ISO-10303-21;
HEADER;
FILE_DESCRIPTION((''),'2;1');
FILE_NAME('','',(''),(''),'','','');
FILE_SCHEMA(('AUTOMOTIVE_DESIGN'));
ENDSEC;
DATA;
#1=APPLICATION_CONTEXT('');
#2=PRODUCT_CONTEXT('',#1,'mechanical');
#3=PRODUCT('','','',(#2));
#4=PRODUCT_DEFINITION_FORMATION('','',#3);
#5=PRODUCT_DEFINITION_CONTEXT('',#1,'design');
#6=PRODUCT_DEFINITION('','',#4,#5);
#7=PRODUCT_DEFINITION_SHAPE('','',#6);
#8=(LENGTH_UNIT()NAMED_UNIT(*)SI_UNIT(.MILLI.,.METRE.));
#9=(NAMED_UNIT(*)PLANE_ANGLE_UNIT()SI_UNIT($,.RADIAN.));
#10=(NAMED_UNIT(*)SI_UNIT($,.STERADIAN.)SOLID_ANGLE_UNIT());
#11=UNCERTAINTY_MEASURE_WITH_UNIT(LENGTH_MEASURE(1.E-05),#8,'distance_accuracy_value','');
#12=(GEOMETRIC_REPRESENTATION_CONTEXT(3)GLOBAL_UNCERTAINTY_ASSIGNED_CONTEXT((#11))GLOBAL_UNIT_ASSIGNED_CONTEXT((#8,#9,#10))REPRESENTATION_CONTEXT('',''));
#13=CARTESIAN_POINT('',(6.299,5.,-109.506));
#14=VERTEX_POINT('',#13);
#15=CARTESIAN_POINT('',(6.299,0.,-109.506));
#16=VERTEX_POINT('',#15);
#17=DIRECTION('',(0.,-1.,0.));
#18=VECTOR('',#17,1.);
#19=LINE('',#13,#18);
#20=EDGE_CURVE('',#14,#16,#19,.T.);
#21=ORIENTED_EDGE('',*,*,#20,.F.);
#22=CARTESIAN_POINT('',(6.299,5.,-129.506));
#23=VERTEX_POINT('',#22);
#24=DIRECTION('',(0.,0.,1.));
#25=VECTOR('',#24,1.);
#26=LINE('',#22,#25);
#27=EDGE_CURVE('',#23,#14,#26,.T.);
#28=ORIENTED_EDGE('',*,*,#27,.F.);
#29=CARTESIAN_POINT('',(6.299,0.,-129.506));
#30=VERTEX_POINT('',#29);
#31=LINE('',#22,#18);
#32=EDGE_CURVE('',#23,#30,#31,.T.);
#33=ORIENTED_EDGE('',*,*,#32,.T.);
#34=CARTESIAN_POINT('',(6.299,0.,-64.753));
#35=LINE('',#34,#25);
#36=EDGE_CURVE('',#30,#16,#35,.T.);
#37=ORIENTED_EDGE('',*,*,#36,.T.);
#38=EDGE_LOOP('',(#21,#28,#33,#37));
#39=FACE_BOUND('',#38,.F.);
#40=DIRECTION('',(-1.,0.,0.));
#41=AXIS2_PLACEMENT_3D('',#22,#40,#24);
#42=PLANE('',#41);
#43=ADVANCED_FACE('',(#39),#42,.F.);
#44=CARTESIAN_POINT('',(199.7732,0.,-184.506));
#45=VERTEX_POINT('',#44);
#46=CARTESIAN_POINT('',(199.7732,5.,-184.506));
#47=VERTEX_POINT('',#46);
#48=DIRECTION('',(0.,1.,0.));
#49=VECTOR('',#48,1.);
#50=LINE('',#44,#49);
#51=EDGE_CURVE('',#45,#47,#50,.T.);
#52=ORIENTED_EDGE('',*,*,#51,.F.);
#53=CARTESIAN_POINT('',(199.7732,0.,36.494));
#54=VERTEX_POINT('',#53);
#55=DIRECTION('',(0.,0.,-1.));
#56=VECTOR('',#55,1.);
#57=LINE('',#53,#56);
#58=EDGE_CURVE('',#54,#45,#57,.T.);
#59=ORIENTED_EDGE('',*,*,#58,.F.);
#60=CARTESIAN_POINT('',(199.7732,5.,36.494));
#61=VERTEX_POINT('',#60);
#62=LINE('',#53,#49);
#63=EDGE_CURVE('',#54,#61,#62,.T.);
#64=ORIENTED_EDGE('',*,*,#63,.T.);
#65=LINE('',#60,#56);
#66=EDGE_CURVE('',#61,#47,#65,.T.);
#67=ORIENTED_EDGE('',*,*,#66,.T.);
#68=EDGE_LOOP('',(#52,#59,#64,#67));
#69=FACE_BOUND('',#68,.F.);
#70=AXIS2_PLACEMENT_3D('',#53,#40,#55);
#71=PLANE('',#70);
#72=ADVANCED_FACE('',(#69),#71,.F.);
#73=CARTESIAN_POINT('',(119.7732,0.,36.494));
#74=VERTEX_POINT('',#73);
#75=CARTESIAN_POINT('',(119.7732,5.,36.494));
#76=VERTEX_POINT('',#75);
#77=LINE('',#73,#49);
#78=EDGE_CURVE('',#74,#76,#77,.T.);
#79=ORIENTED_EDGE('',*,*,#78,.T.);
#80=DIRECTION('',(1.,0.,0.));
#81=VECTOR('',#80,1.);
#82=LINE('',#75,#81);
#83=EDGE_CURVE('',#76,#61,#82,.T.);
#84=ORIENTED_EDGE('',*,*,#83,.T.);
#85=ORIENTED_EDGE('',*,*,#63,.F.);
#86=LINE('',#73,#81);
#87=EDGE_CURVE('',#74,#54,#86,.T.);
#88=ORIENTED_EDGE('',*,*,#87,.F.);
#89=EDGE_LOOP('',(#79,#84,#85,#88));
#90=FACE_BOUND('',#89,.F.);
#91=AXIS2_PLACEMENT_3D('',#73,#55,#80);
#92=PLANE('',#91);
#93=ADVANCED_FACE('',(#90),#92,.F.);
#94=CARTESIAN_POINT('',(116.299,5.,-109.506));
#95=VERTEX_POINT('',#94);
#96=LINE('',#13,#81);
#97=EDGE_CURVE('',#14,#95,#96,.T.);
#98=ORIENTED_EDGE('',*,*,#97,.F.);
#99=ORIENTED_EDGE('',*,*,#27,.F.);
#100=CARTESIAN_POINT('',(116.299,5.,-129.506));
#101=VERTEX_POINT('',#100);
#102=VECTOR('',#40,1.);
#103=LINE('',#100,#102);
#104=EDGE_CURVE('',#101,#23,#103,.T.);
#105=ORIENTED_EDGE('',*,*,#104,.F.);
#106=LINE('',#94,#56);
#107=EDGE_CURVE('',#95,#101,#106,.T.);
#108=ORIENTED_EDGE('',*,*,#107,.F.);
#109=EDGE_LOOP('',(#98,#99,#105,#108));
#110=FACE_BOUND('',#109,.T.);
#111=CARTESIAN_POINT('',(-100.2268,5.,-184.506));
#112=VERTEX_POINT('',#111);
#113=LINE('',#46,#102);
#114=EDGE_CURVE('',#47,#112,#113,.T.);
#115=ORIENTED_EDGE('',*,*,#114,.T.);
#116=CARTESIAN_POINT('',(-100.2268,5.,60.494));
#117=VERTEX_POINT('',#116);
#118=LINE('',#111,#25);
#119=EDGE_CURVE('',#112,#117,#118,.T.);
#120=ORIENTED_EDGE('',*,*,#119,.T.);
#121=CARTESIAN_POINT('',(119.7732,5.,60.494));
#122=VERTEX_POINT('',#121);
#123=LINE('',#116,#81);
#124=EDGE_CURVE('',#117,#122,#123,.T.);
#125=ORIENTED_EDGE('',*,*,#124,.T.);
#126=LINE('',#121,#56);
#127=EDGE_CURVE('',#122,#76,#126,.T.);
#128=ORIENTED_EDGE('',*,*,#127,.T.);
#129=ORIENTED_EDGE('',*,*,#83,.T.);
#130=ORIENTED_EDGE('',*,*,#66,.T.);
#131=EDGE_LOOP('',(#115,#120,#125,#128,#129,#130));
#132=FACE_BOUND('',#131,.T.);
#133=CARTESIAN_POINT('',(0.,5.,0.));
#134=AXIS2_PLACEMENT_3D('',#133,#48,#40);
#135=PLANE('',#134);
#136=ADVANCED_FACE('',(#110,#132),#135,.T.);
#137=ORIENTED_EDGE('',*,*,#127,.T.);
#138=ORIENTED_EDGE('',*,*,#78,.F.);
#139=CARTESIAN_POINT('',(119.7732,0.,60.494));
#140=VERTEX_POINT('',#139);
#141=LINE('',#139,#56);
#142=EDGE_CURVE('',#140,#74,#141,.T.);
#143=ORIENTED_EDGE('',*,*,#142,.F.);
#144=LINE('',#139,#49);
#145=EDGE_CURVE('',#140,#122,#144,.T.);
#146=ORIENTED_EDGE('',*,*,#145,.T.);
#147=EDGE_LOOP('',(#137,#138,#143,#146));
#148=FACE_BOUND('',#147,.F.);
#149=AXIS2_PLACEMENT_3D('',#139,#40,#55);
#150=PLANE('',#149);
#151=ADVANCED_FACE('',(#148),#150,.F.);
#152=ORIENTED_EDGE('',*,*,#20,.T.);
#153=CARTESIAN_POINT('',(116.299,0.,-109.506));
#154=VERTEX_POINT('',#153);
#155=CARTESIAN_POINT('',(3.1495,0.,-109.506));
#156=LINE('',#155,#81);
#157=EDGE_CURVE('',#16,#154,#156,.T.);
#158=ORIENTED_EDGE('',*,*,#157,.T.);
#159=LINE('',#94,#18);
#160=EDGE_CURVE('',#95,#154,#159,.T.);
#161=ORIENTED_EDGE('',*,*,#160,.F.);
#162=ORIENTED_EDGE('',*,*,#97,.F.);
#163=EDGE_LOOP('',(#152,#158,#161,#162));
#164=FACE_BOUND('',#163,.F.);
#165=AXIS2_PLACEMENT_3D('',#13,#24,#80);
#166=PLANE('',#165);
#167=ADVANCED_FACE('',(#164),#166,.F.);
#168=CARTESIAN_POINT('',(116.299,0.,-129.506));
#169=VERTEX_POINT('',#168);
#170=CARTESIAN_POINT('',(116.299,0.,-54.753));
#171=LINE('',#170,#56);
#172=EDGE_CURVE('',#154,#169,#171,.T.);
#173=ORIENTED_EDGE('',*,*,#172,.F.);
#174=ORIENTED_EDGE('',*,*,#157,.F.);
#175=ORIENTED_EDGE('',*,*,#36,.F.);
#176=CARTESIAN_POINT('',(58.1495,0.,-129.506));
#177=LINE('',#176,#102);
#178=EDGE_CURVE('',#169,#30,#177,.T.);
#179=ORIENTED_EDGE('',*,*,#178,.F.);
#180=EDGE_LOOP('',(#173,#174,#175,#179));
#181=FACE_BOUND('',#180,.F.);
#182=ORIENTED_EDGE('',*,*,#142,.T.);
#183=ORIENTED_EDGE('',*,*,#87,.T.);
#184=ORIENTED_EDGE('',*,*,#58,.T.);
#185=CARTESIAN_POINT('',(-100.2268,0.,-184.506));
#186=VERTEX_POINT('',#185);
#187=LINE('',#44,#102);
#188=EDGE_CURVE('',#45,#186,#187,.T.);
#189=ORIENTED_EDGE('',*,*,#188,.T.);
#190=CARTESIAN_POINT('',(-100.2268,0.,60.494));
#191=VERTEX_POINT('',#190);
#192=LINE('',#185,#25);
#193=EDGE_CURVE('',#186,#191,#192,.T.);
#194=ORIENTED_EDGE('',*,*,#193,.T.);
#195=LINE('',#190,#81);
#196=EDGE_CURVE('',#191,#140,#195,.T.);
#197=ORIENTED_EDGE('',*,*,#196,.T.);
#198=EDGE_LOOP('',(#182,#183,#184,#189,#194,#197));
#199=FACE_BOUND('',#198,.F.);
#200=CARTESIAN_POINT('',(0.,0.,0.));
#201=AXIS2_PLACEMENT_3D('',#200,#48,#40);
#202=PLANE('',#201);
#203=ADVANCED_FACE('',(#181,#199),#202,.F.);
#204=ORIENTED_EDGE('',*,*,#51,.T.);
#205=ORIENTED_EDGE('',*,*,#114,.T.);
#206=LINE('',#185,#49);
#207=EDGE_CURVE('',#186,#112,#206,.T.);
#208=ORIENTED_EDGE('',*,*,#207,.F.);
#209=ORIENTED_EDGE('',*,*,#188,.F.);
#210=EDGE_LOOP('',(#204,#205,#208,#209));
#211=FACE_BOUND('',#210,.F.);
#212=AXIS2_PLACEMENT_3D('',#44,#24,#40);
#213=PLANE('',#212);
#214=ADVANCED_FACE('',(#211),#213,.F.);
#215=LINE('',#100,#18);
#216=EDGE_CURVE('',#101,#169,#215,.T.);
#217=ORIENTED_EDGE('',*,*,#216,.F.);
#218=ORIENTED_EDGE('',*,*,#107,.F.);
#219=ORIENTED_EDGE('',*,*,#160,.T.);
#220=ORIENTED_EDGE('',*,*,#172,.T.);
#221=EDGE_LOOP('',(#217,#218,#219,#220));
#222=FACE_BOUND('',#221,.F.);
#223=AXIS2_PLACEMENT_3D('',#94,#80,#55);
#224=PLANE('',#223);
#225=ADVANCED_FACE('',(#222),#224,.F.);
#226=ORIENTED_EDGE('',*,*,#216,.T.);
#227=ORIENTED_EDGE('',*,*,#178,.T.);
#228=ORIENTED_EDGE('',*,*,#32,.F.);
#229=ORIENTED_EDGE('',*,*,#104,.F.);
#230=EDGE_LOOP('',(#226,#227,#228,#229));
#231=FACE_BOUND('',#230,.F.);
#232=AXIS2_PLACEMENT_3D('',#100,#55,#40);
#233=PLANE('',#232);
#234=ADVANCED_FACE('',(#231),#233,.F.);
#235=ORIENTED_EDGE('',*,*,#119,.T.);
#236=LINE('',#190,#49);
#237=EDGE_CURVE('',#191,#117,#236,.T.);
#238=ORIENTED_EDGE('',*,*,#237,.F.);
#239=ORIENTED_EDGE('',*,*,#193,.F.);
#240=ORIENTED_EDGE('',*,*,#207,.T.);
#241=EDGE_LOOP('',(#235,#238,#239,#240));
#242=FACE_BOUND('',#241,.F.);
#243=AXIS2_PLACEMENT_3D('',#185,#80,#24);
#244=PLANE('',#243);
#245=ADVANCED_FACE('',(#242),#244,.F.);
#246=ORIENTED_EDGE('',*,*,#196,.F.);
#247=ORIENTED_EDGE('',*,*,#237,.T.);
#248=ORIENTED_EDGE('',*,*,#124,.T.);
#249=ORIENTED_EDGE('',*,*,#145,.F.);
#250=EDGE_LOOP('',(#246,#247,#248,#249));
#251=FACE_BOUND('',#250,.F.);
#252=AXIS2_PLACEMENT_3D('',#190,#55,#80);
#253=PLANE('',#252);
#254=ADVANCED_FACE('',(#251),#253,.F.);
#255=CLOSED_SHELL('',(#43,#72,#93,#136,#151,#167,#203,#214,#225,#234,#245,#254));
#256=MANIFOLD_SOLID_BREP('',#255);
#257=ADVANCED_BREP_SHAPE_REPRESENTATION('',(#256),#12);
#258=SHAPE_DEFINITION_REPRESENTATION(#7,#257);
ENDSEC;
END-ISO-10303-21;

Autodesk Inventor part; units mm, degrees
ref_plane "YZ Plane" through (0, 0, 0) normal (1, 0, 0) x (0, 1, 0)
ref_plane "XZ Plane" through (0, 0, 0) normal (0, 1, 0) x (-1, 0, 0)
ref_plane "XY Plane" through (0, 0, 0) normal (0, 0, 1) x (1, 0, 0)
sketch "Esquisse1" plane through (0, 0, 0) normal (0, 1, 0) x (-1, 0, 0)
  line L0 (100.2268, 60.494) -> (-119.7732, 60.494)
  line L1 (-199.7732, 36.494) -> (-199.7732, -184.506)
  line L2 (-199.7732, -184.506) -> (100.2268, -184.506)
  line L3 (100.2268, -184.506) -> (100.2268, 60.494)
  line L4 (-119.7732, 60.494) -> (-119.7732, 36.494)
  line L5 (-119.7732, 36.494) -> (-199.7732, 36.494)
  point P0 (0, 0)
  dimension "d0" = 245
  dimension "d1" = 300
  dimension "d4" = 221
  dimension "d5" = 80
extrude "Extrusion1" add sketch "Esquisse1" along normal blind 5
sketch "Esquisse2" plane through (0, 5, 0) normal (0, 1, 0) x (1, 0, 0)
  line L0 (6.299, 109.506) -> (116.299, 109.506)
  line L1 (116.299, 109.506) -> (116.299, 129.506)
  line L2 (116.299, 129.506) -> (6.299, 129.506)
  line L3 (6.299, 129.506) -> (6.299, 109.506)
  line L4 (199.7732, 184.506) -> (-100.2268, 184.506) projected
  point P0 (0, 0)
  dimension "d6" = 20
  dimension "d7" = 110
  dimension "d8" = 55
extrude "Extrusion2" cut sketch "Esquisse2" against normal through all
properties part number "cote"
